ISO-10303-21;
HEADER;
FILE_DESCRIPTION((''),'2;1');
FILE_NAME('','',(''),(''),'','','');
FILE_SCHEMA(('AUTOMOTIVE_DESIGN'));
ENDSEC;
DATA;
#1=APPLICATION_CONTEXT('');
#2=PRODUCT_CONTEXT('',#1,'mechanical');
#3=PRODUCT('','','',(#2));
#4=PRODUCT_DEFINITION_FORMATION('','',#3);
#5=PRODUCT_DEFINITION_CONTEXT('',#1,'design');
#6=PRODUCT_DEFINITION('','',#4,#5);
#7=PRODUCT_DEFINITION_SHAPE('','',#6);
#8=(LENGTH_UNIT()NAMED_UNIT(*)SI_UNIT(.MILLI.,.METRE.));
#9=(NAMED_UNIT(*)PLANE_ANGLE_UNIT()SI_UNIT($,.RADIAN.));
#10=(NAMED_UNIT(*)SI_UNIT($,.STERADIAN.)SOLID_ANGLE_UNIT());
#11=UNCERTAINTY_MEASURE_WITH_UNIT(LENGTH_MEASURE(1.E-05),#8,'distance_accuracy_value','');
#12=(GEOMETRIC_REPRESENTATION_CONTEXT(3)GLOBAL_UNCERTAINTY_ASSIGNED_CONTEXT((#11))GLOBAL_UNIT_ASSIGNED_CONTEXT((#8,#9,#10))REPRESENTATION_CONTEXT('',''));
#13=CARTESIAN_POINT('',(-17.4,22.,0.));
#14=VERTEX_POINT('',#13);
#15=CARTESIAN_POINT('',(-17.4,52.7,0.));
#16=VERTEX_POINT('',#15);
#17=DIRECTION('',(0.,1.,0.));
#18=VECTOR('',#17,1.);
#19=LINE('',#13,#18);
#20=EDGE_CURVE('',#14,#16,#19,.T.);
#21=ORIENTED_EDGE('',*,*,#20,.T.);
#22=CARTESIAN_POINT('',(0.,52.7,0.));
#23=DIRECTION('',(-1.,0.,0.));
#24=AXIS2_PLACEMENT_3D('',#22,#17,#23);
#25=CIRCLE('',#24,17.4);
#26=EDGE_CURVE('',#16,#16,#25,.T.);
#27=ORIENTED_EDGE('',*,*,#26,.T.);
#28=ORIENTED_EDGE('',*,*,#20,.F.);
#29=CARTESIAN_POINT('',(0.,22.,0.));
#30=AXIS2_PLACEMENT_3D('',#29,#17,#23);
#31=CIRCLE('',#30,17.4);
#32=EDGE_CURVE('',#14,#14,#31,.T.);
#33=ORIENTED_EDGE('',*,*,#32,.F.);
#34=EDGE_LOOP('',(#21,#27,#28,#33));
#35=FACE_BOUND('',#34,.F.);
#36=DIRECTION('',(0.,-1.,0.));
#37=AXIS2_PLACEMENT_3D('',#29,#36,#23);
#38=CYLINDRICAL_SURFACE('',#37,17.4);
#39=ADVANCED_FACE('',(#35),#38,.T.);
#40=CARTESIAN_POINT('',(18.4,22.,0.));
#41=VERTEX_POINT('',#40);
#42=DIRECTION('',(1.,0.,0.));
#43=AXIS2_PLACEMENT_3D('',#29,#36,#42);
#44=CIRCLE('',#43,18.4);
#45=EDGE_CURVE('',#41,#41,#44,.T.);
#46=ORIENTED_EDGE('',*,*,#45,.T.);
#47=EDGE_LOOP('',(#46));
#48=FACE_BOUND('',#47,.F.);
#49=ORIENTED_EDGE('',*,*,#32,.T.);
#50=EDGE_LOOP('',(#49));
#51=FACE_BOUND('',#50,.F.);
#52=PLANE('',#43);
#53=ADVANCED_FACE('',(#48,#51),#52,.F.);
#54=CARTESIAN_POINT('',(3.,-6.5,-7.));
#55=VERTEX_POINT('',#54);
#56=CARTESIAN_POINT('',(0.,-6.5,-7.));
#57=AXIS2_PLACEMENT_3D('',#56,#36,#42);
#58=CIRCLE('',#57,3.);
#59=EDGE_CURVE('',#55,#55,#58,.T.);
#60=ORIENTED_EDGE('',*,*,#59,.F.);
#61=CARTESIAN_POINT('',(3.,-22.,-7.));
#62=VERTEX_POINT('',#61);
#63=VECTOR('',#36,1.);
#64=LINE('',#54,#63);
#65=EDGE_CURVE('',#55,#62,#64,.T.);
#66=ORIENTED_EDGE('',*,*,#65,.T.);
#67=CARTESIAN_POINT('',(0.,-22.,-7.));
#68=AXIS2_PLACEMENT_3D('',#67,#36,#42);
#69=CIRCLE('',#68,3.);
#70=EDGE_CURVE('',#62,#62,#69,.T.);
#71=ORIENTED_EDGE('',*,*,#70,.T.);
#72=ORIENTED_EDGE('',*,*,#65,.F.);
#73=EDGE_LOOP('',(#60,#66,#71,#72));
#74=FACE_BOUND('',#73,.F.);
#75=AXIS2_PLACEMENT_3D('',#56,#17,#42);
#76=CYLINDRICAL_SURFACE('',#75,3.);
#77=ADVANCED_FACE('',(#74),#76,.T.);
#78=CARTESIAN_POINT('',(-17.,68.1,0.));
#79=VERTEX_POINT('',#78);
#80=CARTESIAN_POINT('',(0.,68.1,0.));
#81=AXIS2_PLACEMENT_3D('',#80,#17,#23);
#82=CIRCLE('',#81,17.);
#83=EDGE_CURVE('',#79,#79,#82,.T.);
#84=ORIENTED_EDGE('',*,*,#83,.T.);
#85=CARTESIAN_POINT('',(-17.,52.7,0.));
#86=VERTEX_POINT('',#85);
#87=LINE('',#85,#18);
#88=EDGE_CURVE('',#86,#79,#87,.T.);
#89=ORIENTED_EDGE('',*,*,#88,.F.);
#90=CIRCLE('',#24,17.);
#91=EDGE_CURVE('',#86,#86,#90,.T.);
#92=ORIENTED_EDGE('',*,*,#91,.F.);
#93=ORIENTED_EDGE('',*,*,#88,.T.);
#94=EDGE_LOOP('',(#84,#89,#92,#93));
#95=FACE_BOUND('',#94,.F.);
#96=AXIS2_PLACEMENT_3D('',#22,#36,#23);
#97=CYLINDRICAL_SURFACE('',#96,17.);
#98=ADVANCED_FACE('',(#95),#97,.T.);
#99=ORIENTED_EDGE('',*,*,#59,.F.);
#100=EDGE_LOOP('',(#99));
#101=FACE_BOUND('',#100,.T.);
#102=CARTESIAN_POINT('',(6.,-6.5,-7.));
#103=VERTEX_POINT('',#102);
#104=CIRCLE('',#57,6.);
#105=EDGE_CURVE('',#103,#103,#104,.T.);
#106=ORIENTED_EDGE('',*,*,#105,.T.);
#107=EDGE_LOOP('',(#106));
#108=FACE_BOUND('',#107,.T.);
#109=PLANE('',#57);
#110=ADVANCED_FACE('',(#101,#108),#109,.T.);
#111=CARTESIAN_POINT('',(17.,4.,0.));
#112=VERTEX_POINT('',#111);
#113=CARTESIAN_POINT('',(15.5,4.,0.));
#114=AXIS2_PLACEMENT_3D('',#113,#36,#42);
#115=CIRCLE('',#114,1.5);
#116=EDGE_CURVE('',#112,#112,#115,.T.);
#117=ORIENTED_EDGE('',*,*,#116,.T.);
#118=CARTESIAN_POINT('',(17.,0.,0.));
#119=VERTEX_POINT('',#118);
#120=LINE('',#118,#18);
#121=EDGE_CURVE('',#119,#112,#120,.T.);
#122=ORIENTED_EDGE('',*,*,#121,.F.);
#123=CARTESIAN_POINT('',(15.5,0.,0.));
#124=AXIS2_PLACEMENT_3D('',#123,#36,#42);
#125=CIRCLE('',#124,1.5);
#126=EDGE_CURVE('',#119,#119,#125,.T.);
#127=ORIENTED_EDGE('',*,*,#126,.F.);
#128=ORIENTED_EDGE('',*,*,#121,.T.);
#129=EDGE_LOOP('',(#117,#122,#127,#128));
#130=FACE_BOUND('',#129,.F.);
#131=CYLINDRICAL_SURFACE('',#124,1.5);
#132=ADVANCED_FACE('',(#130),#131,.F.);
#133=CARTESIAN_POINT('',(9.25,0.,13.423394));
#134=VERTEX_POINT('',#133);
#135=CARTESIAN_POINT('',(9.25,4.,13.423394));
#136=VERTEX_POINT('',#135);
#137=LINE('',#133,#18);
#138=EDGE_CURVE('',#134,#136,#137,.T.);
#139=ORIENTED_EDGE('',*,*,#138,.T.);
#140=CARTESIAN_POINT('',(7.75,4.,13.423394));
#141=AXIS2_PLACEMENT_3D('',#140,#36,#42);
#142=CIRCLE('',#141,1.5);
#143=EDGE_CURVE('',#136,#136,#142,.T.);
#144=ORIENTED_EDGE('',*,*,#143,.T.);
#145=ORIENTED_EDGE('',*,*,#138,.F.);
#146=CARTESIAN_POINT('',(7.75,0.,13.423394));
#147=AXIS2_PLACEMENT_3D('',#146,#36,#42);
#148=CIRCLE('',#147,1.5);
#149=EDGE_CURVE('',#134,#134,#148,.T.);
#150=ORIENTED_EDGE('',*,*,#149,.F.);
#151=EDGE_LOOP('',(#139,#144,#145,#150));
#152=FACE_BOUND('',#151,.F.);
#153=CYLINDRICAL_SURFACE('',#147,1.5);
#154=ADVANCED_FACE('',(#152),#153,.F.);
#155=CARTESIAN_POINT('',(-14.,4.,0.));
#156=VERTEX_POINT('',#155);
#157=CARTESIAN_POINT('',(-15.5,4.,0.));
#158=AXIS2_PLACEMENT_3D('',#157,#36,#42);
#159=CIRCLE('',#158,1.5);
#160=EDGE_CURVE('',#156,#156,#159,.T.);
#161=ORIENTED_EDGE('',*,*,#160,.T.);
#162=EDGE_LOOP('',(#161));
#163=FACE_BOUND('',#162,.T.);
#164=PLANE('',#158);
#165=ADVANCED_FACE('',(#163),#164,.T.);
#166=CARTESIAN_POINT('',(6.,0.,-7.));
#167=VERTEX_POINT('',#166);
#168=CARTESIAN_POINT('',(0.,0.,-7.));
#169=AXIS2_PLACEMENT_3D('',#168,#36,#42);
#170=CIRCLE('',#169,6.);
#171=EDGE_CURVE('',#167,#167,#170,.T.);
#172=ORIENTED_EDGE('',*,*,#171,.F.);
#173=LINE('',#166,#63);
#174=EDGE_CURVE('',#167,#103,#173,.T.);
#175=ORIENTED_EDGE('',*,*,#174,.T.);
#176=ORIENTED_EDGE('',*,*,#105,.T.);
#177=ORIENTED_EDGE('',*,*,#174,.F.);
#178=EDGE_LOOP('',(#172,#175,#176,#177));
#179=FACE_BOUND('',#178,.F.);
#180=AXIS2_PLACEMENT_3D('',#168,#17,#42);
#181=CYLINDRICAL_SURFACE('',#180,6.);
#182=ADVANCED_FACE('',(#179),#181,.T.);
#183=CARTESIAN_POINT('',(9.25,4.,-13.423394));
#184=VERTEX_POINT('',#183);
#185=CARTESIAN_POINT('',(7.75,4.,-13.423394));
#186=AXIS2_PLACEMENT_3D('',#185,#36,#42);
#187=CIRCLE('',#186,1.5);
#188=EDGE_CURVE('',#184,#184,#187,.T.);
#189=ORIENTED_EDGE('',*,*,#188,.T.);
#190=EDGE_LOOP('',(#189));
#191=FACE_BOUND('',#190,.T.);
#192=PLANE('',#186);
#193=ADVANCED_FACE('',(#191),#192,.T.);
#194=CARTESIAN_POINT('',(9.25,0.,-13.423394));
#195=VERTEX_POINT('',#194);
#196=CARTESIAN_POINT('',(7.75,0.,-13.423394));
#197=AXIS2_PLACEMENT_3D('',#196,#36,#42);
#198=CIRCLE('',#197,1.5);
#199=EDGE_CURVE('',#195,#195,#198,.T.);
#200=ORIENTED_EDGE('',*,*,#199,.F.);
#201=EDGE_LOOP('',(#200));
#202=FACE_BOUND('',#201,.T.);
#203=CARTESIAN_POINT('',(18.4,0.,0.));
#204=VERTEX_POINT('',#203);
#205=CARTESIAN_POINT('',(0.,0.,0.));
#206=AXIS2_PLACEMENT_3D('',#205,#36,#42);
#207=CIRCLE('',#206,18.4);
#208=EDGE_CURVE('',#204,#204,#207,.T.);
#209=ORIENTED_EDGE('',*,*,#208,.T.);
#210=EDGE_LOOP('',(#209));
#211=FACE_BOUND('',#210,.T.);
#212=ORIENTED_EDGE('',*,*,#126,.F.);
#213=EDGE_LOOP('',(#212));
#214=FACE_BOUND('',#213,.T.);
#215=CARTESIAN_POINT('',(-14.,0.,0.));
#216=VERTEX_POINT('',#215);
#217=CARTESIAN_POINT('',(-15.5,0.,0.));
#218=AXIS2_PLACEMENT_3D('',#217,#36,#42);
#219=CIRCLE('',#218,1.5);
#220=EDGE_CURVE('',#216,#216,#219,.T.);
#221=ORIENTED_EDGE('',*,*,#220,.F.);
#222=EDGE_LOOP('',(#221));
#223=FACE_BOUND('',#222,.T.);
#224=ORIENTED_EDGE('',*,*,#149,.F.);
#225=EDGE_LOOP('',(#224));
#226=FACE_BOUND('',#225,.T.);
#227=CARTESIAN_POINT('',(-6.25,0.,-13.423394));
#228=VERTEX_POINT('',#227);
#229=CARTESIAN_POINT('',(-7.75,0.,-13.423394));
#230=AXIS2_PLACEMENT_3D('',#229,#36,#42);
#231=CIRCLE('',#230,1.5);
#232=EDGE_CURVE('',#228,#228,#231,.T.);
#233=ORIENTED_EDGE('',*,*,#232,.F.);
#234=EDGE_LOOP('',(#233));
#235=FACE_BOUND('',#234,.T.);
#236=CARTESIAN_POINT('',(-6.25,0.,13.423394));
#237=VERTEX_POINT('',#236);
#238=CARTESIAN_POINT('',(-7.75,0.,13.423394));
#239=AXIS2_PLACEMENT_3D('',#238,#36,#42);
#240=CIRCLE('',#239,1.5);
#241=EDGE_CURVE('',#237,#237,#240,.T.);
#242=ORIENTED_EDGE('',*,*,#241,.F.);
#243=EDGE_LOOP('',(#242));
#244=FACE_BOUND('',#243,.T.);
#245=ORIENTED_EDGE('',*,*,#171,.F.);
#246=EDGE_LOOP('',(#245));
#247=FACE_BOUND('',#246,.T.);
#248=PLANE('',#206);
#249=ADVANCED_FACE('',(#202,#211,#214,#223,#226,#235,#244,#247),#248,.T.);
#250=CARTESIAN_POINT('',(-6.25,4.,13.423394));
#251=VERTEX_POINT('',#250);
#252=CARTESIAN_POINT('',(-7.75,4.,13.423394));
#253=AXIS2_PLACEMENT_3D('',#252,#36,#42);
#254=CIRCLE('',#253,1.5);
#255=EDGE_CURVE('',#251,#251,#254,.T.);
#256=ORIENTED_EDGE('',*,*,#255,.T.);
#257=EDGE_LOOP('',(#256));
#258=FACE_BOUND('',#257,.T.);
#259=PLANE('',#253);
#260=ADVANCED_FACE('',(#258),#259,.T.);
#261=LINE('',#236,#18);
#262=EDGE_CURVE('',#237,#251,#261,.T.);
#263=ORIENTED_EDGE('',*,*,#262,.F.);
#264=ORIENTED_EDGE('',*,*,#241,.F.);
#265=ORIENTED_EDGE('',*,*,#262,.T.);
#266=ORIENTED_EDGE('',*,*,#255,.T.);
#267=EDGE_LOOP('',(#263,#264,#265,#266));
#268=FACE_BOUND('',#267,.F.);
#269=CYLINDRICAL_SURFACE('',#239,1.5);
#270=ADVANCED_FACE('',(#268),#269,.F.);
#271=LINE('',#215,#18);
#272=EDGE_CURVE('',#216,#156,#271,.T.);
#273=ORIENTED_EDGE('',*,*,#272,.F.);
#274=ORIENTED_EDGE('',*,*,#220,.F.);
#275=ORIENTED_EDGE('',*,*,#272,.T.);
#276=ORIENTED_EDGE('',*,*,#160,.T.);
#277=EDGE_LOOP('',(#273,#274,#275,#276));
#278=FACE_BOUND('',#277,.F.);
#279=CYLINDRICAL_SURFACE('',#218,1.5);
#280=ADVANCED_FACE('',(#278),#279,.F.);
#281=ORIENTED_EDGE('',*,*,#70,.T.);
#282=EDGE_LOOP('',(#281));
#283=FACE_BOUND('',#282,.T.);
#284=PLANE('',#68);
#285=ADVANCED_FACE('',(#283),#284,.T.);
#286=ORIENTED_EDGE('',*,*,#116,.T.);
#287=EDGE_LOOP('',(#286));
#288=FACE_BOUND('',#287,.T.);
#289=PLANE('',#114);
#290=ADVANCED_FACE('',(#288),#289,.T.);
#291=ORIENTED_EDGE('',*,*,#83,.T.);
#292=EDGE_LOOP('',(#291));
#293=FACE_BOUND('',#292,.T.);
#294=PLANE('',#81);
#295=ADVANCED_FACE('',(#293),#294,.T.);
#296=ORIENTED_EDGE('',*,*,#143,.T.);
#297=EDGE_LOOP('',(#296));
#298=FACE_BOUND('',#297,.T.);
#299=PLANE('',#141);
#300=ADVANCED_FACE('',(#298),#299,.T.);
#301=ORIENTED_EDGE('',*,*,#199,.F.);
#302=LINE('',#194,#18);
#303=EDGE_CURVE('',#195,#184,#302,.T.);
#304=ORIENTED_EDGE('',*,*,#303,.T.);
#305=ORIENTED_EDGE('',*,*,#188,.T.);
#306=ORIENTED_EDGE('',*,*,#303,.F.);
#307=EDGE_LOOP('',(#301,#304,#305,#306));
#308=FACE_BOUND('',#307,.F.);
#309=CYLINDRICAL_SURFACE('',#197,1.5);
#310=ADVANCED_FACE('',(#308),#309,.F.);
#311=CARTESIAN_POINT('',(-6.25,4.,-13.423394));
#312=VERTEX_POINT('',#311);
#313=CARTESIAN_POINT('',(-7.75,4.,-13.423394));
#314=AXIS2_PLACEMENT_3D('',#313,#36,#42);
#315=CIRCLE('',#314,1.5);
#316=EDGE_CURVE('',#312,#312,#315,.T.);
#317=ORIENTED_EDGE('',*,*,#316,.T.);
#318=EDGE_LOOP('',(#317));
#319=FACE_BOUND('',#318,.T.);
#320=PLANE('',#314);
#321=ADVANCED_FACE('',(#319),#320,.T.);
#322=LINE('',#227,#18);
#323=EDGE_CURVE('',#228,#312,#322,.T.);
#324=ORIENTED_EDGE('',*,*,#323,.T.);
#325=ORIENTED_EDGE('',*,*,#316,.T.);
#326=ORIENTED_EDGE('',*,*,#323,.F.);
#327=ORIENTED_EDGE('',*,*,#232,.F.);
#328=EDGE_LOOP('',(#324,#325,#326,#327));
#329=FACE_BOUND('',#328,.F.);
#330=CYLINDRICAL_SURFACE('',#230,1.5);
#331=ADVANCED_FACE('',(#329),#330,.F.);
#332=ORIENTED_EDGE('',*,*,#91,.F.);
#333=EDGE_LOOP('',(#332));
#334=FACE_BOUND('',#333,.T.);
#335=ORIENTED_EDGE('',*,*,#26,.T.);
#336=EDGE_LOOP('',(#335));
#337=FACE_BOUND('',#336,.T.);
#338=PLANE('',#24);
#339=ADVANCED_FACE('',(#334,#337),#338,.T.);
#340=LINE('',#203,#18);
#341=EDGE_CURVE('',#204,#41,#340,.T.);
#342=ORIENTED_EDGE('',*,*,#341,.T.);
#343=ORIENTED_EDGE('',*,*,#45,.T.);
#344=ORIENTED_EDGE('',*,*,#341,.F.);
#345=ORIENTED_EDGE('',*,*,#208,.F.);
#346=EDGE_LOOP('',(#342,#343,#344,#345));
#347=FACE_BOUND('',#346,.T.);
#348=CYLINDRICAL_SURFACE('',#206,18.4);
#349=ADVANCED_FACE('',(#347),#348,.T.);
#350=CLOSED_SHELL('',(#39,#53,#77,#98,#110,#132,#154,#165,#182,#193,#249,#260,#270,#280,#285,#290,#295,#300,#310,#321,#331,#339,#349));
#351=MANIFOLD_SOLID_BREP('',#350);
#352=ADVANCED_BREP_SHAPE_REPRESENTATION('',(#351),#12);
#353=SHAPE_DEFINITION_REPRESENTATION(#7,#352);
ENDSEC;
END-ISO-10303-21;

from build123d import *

# Parameters (mm, degrees)
F0_R      = 18.4
F1_DEPTH  = 22
F2_R      = 17.4
F3_DEPTH  = 30.7
F4_R      = 17
F5_DEPTH  = 15.4
F6_R      = 6
F7_DEPTH  = 6.5
F8_R      = 3
F9_DEPTH  = 15.5
F10_R     = 1.5
F11_DEPTH = 4


with BuildPart() as f1:
    # F0 (on Front) → F1 (new body)
    with BuildSketch(Plane.XZ):
        Circle(F0_R)
    extrude(amount=-F1_DEPTH)

    # F2 (on face) → F3 (join)
    with BuildSketch(Plane(origin=(0, 22, 0), x_dir=(-1, 0, 0), z_dir=(0, 1, 0))):
        Circle(F2_R)
    extrude(amount=F3_DEPTH)

    # F4 (on face) → F5 (join)
    with BuildSketch(Plane(origin=(0, 52.7, 0), x_dir=(-1, 0, 0), z_dir=(0, 1, 0))):
        Circle(F4_R)
    extrude(amount=F5_DEPTH)

    # F6 (on face) → F7 (join)
    with BuildSketch(Plane.XZ):
        with Locations((0, -7)):
            Circle(F6_R)
    extrude(amount=F7_DEPTH)

    # F8 (on face) → F9 (join)
    with BuildSketch(Plane.XZ.offset(6.5)):
        with Locations((0, -7)):
            Circle(F8_R)
    extrude(amount=F9_DEPTH)

    # F10 (on face) → F11 (cut)
    with BuildSketch(Plane.XZ):
        with Locations((-15.5, 0)):
            Circle(F10_R)
        with Locations((-7.75, 13.423394)):
            Circle(F10_R)
        with Locations((7.75, 13.423394)):
            Circle(F10_R)
        with Locations((15.5, 0)):
            Circle(F10_R)
        with Locations((-7.75, -13.423394)):
            Circle(F10_R)
        with Locations((7.75, -13.423394)):
            Circle(F10_R)
    extrude(amount=-F11_DEPTH, mode=Mode.SUBTRACT)


solid = f1.part
